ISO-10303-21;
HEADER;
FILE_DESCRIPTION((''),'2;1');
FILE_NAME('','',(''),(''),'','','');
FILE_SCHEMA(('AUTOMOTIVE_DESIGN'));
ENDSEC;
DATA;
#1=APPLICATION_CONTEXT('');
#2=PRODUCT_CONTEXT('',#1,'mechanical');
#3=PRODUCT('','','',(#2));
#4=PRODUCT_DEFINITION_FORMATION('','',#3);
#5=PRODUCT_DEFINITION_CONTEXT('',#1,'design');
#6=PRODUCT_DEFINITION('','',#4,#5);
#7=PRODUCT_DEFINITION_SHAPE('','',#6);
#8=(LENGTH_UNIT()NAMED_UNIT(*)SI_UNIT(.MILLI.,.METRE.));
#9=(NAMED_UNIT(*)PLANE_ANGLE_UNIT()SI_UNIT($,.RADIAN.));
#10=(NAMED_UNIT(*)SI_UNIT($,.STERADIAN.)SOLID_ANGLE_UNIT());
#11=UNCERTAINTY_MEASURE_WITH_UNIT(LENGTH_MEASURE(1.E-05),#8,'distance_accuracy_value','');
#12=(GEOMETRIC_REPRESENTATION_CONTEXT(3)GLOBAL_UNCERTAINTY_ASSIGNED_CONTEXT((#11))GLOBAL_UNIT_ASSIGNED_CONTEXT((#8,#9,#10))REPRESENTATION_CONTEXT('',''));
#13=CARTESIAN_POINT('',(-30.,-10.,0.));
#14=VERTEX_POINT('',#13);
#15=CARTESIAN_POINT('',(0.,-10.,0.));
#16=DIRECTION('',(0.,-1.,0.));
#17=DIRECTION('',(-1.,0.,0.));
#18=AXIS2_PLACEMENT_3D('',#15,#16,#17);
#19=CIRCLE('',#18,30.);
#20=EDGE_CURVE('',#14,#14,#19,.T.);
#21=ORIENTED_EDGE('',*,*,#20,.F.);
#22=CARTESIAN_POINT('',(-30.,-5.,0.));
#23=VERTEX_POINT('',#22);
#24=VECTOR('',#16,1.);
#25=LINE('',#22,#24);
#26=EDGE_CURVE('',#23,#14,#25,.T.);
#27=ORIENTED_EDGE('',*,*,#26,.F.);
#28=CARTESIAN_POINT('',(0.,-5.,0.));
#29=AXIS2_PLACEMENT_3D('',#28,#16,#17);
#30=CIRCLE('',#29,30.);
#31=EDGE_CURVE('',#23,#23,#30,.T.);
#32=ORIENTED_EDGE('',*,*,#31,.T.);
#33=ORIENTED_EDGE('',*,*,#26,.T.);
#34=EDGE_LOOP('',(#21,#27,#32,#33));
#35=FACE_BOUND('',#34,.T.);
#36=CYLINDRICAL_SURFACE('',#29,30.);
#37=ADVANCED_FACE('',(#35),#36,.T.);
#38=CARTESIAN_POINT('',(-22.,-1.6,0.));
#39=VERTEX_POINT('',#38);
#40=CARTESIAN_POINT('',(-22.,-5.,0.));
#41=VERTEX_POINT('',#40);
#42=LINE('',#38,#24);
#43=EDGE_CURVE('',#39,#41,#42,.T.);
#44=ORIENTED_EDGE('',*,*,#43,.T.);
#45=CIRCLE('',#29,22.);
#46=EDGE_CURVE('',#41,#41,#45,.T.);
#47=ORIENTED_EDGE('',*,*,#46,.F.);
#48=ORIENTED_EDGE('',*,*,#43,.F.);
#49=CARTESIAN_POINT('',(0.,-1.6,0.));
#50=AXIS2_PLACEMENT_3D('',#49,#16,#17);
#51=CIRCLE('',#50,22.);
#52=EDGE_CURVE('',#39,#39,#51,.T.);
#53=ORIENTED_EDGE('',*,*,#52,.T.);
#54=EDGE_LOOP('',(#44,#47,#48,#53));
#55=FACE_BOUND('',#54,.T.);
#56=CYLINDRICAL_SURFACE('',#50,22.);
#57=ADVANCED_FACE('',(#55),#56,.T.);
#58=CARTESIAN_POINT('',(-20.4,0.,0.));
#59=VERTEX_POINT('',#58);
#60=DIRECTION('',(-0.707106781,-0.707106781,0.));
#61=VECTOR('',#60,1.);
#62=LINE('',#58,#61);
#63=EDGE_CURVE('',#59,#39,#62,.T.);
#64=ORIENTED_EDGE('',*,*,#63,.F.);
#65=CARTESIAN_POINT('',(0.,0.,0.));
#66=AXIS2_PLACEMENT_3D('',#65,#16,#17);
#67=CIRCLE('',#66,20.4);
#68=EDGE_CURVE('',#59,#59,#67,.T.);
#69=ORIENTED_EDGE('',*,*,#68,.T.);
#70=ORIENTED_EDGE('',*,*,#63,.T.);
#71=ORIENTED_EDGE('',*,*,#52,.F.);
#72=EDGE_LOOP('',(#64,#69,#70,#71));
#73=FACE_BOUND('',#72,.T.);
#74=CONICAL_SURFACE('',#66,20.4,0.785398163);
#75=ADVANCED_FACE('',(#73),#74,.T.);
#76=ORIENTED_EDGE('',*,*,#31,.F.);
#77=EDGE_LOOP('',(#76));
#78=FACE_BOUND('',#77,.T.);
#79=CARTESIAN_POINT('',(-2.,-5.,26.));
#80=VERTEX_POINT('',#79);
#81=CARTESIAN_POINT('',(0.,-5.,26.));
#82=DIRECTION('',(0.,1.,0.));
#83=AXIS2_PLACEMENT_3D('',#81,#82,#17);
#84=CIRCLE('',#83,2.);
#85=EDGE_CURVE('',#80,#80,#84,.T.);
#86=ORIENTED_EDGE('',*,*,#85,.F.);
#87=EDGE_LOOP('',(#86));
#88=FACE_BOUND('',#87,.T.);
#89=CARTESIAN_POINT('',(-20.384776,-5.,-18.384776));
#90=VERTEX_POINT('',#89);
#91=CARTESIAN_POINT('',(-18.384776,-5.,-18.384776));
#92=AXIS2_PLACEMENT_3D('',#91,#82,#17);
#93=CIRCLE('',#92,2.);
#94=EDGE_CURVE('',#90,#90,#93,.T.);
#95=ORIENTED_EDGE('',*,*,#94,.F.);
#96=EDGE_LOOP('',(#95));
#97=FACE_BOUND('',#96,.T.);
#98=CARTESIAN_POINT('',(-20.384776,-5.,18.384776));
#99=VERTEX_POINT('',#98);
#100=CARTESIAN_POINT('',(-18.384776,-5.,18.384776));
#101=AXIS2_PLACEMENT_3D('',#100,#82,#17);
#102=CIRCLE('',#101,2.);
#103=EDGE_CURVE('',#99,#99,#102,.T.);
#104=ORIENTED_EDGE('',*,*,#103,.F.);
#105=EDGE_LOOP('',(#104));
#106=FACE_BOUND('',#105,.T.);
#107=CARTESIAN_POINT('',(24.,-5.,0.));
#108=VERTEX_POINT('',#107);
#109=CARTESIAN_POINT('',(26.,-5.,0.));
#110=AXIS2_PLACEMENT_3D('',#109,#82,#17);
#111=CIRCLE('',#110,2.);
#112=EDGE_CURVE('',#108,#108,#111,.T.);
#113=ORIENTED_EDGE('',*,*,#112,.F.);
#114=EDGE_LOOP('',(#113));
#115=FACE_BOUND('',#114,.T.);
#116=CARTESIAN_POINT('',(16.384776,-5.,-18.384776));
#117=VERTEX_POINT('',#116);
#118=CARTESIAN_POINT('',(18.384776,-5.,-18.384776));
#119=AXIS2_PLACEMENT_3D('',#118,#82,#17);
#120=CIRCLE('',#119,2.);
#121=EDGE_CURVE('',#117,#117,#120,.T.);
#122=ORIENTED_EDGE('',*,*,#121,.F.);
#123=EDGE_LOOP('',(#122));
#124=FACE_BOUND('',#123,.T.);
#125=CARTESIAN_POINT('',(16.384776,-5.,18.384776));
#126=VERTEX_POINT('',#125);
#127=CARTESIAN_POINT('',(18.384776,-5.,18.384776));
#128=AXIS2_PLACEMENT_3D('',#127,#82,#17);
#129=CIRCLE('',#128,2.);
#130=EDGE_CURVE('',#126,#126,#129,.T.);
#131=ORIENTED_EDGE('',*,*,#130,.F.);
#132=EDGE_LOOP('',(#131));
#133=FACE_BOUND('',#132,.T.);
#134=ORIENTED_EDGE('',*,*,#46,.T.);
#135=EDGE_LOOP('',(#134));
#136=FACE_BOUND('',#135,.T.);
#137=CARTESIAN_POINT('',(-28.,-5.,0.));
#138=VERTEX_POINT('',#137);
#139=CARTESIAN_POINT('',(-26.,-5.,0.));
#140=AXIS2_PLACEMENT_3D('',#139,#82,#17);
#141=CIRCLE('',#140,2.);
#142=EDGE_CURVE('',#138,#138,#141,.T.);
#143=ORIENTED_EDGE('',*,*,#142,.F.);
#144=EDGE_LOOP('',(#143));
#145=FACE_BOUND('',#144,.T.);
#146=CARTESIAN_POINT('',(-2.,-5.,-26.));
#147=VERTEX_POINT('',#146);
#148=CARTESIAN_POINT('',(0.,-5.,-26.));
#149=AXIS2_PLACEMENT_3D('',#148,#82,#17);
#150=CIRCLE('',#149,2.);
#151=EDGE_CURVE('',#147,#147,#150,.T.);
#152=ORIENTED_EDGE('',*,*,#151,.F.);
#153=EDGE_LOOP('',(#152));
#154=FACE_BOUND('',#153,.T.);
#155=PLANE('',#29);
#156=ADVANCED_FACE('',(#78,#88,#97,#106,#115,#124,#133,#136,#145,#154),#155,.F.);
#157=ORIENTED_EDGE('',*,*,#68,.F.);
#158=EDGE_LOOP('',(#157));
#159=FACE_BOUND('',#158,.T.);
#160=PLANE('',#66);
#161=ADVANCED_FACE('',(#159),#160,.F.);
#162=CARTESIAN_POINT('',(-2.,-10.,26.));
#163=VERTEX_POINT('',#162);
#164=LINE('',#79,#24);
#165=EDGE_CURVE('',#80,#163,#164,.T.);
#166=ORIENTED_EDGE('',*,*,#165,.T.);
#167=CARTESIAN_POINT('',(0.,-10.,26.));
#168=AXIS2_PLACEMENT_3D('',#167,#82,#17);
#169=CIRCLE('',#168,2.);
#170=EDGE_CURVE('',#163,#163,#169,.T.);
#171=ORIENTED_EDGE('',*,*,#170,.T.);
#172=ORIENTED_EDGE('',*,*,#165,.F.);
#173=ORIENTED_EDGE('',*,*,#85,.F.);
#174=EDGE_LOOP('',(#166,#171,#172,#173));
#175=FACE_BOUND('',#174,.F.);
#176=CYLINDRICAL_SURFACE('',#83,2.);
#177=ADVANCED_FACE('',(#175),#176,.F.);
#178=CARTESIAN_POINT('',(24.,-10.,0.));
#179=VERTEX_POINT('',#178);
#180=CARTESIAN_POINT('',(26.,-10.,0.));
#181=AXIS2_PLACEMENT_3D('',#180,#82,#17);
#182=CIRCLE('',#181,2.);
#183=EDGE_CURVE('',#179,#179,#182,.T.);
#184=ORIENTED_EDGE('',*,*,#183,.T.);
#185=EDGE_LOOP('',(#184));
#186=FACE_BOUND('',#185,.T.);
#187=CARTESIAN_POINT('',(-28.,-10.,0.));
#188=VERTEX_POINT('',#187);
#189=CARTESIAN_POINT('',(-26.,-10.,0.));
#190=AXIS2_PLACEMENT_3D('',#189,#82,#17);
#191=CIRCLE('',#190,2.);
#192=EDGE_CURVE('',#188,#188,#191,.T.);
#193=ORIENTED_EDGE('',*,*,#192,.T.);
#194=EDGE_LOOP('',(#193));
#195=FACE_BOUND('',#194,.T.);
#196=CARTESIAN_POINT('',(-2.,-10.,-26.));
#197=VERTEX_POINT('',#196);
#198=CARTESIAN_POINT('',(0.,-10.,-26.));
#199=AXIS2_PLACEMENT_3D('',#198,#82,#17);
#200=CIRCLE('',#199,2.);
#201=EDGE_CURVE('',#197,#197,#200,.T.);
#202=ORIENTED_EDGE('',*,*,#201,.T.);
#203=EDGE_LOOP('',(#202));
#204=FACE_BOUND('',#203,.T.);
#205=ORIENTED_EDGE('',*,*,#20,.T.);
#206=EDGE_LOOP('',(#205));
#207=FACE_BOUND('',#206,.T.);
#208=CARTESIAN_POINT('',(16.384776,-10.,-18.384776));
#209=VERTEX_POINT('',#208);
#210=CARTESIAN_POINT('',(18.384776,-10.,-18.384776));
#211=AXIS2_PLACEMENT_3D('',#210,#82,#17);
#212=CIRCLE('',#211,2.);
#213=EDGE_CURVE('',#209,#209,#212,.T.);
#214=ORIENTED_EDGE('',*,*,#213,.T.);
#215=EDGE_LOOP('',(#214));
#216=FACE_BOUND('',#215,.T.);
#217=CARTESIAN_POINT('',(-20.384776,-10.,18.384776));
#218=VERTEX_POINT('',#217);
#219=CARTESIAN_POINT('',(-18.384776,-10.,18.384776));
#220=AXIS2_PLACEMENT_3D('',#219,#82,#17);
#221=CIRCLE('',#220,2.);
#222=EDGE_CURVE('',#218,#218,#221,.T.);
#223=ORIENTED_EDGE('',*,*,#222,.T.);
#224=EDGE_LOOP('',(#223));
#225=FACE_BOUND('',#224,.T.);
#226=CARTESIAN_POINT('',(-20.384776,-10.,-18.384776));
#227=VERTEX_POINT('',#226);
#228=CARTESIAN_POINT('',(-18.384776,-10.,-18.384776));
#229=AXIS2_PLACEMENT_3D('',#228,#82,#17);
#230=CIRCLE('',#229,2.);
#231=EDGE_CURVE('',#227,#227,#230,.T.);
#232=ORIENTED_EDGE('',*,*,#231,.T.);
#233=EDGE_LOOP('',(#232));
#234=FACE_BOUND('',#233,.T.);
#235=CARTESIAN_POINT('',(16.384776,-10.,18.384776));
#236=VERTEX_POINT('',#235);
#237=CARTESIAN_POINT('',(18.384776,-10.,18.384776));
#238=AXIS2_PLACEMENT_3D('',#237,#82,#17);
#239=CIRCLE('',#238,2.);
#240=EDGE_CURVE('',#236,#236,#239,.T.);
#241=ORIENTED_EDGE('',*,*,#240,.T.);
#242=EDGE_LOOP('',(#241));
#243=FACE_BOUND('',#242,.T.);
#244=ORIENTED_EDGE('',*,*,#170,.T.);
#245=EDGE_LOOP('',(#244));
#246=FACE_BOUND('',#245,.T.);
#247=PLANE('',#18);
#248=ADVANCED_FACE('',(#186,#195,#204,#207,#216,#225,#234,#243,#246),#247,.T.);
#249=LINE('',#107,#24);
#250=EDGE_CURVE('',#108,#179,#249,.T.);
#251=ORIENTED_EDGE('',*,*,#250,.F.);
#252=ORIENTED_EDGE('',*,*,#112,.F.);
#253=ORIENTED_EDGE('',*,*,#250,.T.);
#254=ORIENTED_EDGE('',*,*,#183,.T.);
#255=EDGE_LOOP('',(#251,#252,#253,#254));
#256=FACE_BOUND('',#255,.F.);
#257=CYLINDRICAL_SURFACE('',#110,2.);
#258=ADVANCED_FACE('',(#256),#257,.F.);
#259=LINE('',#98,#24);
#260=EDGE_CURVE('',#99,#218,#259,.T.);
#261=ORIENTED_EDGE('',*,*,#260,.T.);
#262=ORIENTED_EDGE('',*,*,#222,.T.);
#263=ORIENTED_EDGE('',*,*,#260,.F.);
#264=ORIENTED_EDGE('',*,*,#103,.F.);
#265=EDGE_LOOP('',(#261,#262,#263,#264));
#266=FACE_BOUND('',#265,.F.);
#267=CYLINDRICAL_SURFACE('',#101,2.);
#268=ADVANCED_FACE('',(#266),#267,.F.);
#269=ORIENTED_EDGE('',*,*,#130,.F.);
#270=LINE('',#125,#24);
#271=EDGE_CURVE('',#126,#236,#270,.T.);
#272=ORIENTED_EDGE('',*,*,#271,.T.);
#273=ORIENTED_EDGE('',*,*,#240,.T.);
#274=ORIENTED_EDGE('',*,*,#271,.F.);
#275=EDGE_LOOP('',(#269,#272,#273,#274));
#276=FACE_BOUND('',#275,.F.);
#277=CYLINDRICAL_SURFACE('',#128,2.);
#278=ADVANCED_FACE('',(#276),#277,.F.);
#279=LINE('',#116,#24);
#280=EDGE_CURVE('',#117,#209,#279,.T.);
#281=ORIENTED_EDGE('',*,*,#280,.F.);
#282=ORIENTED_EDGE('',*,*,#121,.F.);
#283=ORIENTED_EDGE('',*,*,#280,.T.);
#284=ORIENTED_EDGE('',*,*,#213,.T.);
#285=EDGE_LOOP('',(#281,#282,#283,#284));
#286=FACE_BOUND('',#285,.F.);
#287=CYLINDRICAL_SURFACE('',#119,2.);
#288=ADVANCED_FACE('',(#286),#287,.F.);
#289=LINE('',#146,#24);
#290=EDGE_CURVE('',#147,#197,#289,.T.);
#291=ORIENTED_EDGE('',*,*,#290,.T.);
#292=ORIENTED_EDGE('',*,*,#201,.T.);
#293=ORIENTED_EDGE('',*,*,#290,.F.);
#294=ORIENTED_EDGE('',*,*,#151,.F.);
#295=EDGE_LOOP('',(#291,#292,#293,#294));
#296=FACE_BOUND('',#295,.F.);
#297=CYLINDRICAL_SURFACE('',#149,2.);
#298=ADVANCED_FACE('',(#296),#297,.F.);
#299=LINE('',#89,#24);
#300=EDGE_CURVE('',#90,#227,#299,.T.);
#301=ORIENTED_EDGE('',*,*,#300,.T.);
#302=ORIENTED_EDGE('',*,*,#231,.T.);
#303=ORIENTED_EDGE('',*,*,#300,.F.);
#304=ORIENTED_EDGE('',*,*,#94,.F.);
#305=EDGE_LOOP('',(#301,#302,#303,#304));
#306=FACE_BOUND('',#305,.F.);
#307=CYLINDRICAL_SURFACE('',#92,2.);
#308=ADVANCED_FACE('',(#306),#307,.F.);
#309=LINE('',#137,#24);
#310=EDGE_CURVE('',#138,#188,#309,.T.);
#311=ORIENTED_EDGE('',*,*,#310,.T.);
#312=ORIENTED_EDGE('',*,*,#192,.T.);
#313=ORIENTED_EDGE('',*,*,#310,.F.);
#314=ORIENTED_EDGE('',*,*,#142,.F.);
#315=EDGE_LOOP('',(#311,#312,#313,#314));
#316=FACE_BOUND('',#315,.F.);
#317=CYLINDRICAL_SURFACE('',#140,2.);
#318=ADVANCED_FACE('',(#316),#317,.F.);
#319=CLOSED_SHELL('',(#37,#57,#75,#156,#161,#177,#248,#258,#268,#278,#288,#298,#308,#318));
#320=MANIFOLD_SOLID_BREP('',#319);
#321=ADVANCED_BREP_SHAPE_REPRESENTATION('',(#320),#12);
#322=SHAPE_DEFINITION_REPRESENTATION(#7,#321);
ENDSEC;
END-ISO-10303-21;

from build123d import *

# Parameters (mm, degrees)
SKETCH_4_R          = 2
CUT_EXTRUDE_1_DEPTH = 20


with BuildPart() as part:
    # Эскиз1 → Повернуть11 (revolve)
    with BuildSketch(Plane.XY):
        Polygon((-30, -10), (0, -10), (0, 0), (-20.4, 0), (-22, -1.6), (-22, -5), (-30, -5), align=None)
    revolve(axis=Axis((0, 0, 0), (0, -1, 0)))

    # Эскиз4 → Вырез-Вытянуть1 (cut)
    with BuildSketch(Plane(origin=(0, -5, 0), x_dir=(1, 0, 0), z_dir=(0, 1, 0))):
        with Locations(Location((0, 26, 0), (0, 0, 180))):
            Circle(SKETCH_4_R)
        with Locations(Location((18.384776311, 18.384776311, 0), (0, 0, 180))):
            Circle(SKETCH_4_R)
        with Locations(Location((26, 0, 0), (0, 0, 180))):
            Circle(SKETCH_4_R)
        with Locations(Location((18.384776311, -18.384776311, 0), (0, 0, 180))):
            Circle(SKETCH_4_R)
        with Locations(Location((0, -26, 0), (0, 0, 180))):
            Circle(SKETCH_4_R)
        with Locations(Location((-18.384776311, -18.384776311, 0), (0, 0, 180))):
            Circle(SKETCH_4_R)
        with Locations(Location((-26, 0, 0), (0, 0, 180))):
            Circle(SKETCH_4_R)
        with Locations(Location((-18.384776311, 18.384776311, 0), (0, 0, 180))):
            Circle(SKETCH_4_R)
    extrude(amount=-CUT_EXTRUDE_1_DEPTH, mode=Mode.SUBTRACT)


solid = part.part
